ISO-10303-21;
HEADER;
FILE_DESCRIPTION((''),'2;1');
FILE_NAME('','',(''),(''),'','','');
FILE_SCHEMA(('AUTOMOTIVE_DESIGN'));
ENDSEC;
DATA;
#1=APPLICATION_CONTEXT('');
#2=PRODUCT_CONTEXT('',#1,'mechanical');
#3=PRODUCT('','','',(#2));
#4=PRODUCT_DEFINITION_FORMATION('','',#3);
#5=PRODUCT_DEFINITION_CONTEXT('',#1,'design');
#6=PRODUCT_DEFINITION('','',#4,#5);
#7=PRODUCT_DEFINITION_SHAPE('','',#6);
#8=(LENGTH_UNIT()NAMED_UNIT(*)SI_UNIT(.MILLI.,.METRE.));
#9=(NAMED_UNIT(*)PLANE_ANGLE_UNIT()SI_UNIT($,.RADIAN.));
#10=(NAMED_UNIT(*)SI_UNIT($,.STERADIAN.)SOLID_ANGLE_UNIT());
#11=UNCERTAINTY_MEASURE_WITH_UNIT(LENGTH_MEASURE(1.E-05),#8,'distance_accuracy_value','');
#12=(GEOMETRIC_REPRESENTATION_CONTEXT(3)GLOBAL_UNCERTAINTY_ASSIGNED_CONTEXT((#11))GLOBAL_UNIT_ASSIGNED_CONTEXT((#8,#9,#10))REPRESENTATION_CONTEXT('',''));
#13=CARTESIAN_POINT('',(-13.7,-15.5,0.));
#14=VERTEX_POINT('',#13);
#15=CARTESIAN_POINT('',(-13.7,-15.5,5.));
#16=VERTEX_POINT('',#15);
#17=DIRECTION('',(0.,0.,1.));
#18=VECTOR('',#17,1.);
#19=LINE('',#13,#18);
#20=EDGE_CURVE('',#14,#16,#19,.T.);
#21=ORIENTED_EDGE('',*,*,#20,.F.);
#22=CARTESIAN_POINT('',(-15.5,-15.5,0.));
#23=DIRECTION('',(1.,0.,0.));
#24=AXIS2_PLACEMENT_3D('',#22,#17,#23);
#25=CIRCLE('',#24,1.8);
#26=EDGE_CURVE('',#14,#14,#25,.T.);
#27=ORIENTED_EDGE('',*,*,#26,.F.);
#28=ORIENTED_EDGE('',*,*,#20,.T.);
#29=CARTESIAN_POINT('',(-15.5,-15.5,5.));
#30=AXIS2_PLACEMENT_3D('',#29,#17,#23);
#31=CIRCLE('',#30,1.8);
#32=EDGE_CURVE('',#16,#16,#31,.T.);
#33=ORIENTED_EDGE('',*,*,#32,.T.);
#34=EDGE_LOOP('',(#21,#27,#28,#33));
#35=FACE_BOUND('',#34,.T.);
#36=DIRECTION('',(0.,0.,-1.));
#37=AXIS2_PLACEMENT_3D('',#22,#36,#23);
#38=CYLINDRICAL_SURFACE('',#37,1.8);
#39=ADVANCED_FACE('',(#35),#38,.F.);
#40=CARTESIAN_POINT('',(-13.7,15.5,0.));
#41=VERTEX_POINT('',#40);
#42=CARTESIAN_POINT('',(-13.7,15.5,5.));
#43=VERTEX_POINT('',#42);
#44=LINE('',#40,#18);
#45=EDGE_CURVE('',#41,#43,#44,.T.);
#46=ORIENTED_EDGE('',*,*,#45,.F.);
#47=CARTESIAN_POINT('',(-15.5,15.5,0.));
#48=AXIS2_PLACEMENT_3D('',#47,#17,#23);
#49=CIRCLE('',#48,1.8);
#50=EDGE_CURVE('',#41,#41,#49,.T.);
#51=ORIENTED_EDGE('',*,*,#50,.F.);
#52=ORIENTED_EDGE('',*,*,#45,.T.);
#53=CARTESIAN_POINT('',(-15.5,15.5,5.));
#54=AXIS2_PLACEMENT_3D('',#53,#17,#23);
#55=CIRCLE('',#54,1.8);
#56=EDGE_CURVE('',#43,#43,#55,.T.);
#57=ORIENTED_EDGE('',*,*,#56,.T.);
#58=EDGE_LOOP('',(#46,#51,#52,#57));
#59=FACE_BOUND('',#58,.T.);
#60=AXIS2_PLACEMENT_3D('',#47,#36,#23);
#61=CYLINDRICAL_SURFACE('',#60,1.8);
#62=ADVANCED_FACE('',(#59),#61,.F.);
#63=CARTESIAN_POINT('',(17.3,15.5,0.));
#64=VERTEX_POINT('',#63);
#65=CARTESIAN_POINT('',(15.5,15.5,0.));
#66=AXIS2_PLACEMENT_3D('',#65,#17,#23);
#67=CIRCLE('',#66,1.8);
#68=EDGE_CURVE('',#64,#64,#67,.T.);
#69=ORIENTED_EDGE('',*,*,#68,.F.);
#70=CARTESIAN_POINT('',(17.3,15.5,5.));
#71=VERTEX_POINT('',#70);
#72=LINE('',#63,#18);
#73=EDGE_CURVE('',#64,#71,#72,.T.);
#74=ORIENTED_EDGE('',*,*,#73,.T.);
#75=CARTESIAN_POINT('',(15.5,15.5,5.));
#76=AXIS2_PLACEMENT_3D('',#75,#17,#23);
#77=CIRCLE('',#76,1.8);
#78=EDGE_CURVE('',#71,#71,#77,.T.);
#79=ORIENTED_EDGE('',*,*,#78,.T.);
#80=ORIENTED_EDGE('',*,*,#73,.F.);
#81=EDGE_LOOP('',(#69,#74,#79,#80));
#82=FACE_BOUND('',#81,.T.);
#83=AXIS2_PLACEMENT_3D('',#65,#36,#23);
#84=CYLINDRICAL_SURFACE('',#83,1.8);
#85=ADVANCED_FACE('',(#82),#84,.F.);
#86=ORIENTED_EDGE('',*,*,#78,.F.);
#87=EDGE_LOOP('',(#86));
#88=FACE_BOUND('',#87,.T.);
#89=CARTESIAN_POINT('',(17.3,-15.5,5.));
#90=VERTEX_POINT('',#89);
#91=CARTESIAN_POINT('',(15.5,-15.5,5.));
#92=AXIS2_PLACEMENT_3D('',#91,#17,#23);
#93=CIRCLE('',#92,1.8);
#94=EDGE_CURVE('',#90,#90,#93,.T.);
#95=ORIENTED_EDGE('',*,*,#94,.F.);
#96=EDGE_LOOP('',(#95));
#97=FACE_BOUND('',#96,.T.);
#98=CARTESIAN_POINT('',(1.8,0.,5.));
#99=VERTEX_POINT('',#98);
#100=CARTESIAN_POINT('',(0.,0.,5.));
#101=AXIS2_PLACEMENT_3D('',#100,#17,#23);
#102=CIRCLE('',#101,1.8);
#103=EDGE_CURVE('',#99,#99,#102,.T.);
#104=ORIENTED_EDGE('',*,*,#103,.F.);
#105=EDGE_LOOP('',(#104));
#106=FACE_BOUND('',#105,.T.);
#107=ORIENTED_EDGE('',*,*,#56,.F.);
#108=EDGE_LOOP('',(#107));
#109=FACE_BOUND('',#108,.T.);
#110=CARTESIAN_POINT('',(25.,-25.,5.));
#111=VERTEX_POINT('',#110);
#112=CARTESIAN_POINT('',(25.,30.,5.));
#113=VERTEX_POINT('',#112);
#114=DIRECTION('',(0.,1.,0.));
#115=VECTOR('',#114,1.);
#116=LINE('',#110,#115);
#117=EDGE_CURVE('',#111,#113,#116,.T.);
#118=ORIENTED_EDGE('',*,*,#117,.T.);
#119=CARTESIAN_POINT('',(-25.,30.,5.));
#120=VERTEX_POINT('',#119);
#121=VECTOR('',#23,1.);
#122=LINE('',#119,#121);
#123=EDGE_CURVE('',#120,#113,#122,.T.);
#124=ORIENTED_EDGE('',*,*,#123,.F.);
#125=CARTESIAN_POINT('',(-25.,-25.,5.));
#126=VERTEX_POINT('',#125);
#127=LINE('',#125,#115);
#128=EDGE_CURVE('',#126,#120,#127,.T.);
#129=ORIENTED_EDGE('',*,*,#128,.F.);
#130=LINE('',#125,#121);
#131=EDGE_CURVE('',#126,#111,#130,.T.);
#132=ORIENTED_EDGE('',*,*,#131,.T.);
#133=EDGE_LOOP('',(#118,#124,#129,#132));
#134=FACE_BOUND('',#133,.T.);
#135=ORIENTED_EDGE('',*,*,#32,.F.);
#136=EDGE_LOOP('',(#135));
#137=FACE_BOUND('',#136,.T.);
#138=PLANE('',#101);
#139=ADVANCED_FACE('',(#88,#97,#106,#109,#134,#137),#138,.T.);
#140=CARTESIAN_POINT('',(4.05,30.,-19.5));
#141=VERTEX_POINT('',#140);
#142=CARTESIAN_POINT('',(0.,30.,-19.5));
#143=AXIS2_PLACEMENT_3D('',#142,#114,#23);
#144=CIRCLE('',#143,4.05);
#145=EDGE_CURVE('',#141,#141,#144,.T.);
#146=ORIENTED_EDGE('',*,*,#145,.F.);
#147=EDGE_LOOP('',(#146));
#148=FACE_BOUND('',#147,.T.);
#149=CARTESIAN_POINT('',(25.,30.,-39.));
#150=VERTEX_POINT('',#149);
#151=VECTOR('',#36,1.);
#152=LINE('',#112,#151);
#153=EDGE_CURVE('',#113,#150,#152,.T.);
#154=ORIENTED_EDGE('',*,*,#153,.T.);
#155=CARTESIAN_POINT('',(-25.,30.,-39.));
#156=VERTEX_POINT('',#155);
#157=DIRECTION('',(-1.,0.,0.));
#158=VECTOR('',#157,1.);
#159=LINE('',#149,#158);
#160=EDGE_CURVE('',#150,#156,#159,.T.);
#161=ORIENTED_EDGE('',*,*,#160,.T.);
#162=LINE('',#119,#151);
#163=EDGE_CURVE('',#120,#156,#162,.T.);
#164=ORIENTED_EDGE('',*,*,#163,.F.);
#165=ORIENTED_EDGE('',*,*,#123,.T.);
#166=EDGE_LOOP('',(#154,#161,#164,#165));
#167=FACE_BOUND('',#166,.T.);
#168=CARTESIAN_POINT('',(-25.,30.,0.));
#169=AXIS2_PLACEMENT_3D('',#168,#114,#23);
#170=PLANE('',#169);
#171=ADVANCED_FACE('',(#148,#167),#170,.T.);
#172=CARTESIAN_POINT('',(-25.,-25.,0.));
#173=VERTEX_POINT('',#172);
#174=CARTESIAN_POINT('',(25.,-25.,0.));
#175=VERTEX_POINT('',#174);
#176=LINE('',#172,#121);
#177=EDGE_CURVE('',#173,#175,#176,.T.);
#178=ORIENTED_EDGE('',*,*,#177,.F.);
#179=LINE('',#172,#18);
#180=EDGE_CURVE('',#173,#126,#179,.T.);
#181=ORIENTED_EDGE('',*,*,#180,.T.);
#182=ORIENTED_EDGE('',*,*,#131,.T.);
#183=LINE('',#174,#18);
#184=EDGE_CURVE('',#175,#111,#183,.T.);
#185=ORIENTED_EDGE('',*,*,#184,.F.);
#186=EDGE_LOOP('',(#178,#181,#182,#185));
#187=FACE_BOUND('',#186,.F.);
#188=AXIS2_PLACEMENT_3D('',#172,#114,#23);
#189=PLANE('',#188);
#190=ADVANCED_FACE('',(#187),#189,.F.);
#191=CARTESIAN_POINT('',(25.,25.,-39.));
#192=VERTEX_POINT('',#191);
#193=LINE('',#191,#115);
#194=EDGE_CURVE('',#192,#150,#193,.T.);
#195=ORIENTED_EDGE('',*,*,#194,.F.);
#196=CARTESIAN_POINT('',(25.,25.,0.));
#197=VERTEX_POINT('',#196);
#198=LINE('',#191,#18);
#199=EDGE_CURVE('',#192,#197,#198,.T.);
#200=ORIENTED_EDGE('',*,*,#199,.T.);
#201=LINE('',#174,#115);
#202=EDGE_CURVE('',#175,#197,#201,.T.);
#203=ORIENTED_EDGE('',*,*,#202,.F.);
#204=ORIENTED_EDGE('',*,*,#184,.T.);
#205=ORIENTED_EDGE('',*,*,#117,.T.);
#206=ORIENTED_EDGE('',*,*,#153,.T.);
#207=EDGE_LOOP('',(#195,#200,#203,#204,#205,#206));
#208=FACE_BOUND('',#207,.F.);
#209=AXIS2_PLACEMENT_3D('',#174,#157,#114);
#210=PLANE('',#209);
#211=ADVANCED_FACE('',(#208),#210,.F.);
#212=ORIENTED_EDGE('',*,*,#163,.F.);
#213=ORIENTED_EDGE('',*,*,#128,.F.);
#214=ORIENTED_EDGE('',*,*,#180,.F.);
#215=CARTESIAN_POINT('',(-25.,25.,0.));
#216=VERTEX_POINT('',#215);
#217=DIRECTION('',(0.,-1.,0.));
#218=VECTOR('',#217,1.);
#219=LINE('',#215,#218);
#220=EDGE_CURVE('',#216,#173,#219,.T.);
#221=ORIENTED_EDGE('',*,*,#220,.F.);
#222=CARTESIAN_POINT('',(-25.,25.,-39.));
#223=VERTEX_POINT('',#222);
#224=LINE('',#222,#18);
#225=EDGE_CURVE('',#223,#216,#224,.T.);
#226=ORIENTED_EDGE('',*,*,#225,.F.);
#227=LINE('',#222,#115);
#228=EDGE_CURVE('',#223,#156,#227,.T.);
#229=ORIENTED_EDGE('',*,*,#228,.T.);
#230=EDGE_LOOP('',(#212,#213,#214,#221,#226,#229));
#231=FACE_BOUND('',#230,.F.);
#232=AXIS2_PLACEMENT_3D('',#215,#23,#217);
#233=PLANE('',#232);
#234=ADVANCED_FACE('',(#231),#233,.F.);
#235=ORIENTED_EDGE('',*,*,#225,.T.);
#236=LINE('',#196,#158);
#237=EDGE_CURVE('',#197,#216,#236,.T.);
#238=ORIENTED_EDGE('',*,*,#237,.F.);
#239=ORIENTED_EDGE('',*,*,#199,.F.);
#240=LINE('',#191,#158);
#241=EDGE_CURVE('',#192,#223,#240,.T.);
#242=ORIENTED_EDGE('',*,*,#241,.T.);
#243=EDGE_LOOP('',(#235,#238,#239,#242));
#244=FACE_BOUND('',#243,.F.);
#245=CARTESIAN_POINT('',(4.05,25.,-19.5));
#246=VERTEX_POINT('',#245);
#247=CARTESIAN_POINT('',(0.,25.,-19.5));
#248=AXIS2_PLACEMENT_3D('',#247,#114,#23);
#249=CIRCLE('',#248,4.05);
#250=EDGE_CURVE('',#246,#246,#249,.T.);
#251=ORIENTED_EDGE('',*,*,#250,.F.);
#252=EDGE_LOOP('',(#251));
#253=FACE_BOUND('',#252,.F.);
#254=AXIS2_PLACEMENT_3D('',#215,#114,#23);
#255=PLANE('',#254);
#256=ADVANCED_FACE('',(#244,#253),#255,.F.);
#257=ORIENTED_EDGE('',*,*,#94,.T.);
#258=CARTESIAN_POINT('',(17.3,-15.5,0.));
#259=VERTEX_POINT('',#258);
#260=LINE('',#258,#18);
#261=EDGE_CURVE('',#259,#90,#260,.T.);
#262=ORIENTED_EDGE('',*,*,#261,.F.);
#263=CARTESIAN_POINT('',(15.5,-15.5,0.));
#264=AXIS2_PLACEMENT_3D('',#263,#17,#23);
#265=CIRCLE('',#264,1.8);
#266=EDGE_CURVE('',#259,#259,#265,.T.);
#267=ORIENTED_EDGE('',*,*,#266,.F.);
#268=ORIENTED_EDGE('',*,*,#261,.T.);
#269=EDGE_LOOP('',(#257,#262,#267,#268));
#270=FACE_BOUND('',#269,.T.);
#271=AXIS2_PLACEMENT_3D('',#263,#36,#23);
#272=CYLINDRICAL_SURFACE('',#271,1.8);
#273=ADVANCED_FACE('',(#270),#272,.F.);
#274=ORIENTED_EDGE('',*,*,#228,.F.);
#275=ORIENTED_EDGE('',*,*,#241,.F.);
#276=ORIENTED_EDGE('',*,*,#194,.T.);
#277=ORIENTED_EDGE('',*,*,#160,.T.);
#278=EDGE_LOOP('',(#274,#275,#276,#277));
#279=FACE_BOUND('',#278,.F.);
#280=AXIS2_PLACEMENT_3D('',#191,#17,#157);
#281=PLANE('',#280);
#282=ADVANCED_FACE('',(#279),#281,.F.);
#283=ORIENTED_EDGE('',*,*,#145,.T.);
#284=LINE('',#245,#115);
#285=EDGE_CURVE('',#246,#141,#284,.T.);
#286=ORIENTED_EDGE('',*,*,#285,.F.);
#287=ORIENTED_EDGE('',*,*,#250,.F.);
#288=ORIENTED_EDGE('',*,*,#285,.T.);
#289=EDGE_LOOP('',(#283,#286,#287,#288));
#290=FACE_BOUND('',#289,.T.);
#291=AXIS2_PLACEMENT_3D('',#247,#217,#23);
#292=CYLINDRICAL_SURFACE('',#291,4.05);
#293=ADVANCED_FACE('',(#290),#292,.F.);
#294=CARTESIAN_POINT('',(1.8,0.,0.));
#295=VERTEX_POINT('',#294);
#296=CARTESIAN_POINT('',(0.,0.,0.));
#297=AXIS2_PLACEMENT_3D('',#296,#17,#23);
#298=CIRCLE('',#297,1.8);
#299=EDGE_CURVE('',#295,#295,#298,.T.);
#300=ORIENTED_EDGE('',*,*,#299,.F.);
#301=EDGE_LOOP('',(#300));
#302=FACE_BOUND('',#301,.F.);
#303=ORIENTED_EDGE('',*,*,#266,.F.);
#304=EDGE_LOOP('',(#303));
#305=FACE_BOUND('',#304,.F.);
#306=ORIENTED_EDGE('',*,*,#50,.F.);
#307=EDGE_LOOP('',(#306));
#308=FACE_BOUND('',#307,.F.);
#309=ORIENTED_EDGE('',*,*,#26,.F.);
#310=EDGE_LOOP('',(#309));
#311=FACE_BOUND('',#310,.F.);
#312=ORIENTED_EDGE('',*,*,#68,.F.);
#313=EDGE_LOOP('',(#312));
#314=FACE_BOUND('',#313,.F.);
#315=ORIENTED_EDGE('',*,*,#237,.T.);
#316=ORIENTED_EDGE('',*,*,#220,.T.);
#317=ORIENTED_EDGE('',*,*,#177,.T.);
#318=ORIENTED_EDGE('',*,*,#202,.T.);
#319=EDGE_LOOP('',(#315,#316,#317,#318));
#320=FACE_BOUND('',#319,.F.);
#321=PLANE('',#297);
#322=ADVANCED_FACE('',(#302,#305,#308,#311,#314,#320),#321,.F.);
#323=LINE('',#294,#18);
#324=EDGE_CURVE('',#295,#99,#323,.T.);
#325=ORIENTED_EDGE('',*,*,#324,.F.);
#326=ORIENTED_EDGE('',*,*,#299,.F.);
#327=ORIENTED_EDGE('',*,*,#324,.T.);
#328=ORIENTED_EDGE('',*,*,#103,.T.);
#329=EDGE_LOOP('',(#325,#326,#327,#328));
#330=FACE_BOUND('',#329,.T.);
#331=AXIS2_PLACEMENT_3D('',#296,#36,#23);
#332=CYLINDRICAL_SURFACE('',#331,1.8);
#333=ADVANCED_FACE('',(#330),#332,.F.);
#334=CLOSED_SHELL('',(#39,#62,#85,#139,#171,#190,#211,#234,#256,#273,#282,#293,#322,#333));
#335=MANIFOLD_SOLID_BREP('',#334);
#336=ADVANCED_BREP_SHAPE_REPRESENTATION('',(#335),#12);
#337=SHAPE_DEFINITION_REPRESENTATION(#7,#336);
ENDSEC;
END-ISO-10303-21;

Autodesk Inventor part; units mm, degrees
ref_plane "YZ Plane" through (0, 0, 0) normal (1, 0, 0) x (0, 1, 0)
ref_plane "XZ Plane" through (0, 0, 0) normal (0, 1, 0) x (-1, 0, 0)
ref_plane "XY Plane" through (0, 0, 0) normal (0, 0, 1) x (1, 0, 0)
sketch "Эскиз1" plane through (0, 0, 0) normal (0, 0, 1) x (1, 0, 0)
  line L0 (-25, -25) -> (25, -25)
  line L1 (25, -25) -> (25, 25)
  line L2 (25, 25) -> (-25, 25)
  line L3 (-25, 25) -> (-25, -25)
  circle A0 centre (0, 0) radius 1.8
  circle A1 centre (15.5, 15.5) radius 1.8
  circle A2 centre (-15.5, 15.5) radius 1.8
  circle A3 centre (-15.5, -15.5) radius 1.8
  circle A4 centre (15.5, -15.5) radius 1.8
  dimension "d0" = 50
  dimension "d1" = 50
  dimension "d2" = 3.6
  dimension "d3" = 3.6
  dimension "d6" = 360
  dimension "d14" = 25
  dimension "d15" = 25
  dimension "d16" = 9.5
  dimension "d17" = 9.5
extrude "Выдавливание1" add sketch "Эскиз1" along normal blind 5
sketch "Эскиз2" plane through (-25, 25, 0) normal (0, 1, 0) x (1, 0, 0)
  line L0 (0, 0) -> (50, 0)
  line L1 (50, 0) -> (50, 39)
  line L2 (50, 39) -> (0, 39)
  line L3 (0, 39) -> (0, 0)
  line L4 (0, -5) -> (50, -5) projected
  line L5 (50, 0) -> (50, -5) projected
  line L6 (0, -5) -> (50, -5)
  line L7 (50, -5) -> (50, 0)
  line L8 (50, 0) -> (0, 0)
  line L9 (0, 0) -> (0, -5)
  circle A0 centre (25, 19.5) radius 4.05
  point P0 (25, 0)
  dimension "d10" = 50
  dimension "d11" = 39
  dimension "d19" = 8.1
extrude "Выдавливание3" add sketch "Эскиз2" along normal blind 5
properties part number "non_motor_holder"
